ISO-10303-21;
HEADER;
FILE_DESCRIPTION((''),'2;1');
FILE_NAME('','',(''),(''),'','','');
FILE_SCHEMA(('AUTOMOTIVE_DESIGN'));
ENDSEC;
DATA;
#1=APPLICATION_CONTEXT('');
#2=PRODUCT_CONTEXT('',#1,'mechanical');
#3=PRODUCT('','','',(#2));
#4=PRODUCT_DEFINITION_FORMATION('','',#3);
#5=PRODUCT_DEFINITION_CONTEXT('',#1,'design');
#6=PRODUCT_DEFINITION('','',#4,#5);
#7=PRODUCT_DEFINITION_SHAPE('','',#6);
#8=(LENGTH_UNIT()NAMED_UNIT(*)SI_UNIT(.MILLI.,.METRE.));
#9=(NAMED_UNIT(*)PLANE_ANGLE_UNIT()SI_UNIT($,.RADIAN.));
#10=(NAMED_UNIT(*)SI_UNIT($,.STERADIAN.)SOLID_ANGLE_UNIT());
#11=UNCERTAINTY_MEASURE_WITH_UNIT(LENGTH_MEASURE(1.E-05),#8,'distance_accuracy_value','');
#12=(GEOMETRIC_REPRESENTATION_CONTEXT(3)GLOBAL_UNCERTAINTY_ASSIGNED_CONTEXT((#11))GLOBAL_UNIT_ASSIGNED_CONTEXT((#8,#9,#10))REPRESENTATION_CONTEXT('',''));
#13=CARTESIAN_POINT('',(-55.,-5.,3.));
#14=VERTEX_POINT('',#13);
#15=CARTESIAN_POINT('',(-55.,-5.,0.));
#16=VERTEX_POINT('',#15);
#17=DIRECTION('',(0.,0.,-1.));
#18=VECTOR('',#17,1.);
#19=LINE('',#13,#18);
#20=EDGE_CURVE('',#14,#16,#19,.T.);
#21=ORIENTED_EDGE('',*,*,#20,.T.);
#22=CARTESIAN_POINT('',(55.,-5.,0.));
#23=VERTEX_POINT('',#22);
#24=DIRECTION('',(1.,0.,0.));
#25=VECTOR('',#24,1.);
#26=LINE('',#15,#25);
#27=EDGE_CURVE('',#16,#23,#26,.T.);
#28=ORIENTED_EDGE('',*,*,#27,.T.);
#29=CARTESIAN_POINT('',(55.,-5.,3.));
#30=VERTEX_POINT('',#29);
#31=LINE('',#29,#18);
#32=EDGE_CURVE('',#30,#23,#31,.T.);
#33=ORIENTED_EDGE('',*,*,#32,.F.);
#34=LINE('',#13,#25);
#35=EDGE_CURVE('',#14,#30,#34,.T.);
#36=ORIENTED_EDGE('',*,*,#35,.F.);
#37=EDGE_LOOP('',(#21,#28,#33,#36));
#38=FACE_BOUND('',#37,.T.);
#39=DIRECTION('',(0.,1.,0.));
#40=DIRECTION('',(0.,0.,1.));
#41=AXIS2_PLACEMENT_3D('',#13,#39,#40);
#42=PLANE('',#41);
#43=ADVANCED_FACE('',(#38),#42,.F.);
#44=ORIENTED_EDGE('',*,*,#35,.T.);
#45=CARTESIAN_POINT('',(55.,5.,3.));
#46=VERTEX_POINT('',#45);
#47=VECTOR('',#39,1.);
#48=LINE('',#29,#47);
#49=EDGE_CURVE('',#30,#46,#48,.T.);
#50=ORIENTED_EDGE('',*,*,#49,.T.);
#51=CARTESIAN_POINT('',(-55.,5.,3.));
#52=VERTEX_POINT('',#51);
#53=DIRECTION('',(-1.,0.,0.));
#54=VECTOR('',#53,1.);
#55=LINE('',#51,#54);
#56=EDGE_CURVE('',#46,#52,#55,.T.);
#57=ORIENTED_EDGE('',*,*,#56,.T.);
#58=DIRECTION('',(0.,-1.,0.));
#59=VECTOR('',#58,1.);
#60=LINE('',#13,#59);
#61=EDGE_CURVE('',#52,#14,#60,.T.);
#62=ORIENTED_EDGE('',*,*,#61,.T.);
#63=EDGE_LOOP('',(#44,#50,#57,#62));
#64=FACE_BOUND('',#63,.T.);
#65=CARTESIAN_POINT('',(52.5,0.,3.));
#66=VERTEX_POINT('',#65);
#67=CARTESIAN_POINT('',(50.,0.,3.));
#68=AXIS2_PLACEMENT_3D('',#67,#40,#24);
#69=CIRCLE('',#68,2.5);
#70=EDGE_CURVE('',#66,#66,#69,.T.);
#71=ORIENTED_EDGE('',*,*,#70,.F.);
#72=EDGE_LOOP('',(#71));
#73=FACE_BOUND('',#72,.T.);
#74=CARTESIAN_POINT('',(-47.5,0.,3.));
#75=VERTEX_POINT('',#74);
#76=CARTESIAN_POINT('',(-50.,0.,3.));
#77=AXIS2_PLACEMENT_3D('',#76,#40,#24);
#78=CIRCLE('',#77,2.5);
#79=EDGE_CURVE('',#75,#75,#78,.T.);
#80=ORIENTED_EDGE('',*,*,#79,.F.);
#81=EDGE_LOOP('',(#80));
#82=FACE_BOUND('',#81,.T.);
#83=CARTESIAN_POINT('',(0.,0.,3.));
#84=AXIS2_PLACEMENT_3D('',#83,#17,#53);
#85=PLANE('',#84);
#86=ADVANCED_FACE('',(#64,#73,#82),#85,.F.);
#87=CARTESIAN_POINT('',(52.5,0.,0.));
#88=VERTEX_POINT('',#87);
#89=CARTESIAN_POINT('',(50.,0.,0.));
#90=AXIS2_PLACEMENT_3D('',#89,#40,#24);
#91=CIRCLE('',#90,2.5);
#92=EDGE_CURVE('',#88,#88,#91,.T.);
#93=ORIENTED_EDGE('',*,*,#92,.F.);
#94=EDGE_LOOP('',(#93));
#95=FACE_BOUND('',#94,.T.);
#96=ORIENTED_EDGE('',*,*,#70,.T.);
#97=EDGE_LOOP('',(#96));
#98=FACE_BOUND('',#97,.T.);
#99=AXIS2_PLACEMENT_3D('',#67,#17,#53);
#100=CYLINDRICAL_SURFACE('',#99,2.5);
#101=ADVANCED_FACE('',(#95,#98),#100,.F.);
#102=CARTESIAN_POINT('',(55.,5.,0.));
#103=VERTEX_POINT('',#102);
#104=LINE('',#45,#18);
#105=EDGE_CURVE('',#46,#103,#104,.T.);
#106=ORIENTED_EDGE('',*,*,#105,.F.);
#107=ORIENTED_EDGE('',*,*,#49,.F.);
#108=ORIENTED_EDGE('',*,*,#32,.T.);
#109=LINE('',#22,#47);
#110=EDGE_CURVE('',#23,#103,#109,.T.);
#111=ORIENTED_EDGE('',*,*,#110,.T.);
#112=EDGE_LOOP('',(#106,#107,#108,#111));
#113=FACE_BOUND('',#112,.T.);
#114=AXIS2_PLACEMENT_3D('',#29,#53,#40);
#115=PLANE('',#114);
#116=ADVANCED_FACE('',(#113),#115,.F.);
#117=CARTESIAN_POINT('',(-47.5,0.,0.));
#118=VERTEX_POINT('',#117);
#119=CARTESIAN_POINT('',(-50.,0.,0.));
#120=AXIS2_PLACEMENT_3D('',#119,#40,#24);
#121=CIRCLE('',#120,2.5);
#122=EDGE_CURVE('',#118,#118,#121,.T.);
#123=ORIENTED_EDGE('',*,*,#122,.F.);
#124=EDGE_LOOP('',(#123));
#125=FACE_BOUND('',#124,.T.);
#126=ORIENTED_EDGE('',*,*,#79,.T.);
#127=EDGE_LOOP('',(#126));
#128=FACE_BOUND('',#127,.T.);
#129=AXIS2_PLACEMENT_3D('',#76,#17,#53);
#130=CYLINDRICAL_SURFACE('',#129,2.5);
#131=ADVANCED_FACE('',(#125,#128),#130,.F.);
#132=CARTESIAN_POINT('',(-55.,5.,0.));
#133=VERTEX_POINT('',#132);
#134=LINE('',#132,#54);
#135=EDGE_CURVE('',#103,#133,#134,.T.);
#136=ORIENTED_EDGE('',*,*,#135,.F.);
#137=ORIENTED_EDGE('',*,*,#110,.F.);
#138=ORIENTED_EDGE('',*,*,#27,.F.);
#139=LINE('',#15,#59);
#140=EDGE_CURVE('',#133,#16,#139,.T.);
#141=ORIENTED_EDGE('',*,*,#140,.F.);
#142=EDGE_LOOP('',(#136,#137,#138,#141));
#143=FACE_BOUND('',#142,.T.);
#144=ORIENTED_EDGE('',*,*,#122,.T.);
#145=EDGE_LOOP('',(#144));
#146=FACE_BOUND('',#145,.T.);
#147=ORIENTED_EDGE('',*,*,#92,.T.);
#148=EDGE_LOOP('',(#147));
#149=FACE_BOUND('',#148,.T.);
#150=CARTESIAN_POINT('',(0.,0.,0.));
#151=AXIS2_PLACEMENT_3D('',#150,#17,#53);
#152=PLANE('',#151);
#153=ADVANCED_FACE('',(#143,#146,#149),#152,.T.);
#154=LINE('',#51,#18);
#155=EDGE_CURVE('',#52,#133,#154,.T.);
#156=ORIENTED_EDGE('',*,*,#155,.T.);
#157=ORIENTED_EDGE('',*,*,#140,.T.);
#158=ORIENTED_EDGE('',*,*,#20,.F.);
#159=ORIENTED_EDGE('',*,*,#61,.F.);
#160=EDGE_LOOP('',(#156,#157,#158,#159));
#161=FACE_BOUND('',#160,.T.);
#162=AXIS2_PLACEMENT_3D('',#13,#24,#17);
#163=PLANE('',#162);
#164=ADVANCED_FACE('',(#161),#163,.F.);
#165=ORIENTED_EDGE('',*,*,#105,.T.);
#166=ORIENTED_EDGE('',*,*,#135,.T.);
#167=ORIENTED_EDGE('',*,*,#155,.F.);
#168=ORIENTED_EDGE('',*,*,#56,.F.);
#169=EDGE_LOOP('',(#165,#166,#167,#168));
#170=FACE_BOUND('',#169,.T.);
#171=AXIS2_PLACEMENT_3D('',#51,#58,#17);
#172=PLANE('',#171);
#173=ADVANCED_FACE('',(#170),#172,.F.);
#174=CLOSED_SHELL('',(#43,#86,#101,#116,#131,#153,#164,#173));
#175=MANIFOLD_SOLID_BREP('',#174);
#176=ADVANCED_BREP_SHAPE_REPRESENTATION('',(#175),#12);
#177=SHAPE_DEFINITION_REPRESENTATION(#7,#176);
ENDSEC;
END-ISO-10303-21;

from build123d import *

# Parameters (mm, degrees)
SKETCH_1_W      = 110
SKETCH_1_H      = 10
SKETCH_1_R      = 2.5
EXTRUDE_1_DEPTH = 3


with BuildPart() as part:
    # 草圖1 → 填料-伸長1 (new body)
    with BuildSketch(Plane.XY):
        Rectangle(SKETCH_1_W, SKETCH_1_H)
        with Locations((-50, 0)):
            Circle(SKETCH_1_R, mode=Mode.SUBTRACT)
        with Locations((50, 0)):
            Circle(SKETCH_1_R, mode=Mode.SUBTRACT)
    extrude(amount=EXTRUDE_1_DEPTH)


solid = part.part
